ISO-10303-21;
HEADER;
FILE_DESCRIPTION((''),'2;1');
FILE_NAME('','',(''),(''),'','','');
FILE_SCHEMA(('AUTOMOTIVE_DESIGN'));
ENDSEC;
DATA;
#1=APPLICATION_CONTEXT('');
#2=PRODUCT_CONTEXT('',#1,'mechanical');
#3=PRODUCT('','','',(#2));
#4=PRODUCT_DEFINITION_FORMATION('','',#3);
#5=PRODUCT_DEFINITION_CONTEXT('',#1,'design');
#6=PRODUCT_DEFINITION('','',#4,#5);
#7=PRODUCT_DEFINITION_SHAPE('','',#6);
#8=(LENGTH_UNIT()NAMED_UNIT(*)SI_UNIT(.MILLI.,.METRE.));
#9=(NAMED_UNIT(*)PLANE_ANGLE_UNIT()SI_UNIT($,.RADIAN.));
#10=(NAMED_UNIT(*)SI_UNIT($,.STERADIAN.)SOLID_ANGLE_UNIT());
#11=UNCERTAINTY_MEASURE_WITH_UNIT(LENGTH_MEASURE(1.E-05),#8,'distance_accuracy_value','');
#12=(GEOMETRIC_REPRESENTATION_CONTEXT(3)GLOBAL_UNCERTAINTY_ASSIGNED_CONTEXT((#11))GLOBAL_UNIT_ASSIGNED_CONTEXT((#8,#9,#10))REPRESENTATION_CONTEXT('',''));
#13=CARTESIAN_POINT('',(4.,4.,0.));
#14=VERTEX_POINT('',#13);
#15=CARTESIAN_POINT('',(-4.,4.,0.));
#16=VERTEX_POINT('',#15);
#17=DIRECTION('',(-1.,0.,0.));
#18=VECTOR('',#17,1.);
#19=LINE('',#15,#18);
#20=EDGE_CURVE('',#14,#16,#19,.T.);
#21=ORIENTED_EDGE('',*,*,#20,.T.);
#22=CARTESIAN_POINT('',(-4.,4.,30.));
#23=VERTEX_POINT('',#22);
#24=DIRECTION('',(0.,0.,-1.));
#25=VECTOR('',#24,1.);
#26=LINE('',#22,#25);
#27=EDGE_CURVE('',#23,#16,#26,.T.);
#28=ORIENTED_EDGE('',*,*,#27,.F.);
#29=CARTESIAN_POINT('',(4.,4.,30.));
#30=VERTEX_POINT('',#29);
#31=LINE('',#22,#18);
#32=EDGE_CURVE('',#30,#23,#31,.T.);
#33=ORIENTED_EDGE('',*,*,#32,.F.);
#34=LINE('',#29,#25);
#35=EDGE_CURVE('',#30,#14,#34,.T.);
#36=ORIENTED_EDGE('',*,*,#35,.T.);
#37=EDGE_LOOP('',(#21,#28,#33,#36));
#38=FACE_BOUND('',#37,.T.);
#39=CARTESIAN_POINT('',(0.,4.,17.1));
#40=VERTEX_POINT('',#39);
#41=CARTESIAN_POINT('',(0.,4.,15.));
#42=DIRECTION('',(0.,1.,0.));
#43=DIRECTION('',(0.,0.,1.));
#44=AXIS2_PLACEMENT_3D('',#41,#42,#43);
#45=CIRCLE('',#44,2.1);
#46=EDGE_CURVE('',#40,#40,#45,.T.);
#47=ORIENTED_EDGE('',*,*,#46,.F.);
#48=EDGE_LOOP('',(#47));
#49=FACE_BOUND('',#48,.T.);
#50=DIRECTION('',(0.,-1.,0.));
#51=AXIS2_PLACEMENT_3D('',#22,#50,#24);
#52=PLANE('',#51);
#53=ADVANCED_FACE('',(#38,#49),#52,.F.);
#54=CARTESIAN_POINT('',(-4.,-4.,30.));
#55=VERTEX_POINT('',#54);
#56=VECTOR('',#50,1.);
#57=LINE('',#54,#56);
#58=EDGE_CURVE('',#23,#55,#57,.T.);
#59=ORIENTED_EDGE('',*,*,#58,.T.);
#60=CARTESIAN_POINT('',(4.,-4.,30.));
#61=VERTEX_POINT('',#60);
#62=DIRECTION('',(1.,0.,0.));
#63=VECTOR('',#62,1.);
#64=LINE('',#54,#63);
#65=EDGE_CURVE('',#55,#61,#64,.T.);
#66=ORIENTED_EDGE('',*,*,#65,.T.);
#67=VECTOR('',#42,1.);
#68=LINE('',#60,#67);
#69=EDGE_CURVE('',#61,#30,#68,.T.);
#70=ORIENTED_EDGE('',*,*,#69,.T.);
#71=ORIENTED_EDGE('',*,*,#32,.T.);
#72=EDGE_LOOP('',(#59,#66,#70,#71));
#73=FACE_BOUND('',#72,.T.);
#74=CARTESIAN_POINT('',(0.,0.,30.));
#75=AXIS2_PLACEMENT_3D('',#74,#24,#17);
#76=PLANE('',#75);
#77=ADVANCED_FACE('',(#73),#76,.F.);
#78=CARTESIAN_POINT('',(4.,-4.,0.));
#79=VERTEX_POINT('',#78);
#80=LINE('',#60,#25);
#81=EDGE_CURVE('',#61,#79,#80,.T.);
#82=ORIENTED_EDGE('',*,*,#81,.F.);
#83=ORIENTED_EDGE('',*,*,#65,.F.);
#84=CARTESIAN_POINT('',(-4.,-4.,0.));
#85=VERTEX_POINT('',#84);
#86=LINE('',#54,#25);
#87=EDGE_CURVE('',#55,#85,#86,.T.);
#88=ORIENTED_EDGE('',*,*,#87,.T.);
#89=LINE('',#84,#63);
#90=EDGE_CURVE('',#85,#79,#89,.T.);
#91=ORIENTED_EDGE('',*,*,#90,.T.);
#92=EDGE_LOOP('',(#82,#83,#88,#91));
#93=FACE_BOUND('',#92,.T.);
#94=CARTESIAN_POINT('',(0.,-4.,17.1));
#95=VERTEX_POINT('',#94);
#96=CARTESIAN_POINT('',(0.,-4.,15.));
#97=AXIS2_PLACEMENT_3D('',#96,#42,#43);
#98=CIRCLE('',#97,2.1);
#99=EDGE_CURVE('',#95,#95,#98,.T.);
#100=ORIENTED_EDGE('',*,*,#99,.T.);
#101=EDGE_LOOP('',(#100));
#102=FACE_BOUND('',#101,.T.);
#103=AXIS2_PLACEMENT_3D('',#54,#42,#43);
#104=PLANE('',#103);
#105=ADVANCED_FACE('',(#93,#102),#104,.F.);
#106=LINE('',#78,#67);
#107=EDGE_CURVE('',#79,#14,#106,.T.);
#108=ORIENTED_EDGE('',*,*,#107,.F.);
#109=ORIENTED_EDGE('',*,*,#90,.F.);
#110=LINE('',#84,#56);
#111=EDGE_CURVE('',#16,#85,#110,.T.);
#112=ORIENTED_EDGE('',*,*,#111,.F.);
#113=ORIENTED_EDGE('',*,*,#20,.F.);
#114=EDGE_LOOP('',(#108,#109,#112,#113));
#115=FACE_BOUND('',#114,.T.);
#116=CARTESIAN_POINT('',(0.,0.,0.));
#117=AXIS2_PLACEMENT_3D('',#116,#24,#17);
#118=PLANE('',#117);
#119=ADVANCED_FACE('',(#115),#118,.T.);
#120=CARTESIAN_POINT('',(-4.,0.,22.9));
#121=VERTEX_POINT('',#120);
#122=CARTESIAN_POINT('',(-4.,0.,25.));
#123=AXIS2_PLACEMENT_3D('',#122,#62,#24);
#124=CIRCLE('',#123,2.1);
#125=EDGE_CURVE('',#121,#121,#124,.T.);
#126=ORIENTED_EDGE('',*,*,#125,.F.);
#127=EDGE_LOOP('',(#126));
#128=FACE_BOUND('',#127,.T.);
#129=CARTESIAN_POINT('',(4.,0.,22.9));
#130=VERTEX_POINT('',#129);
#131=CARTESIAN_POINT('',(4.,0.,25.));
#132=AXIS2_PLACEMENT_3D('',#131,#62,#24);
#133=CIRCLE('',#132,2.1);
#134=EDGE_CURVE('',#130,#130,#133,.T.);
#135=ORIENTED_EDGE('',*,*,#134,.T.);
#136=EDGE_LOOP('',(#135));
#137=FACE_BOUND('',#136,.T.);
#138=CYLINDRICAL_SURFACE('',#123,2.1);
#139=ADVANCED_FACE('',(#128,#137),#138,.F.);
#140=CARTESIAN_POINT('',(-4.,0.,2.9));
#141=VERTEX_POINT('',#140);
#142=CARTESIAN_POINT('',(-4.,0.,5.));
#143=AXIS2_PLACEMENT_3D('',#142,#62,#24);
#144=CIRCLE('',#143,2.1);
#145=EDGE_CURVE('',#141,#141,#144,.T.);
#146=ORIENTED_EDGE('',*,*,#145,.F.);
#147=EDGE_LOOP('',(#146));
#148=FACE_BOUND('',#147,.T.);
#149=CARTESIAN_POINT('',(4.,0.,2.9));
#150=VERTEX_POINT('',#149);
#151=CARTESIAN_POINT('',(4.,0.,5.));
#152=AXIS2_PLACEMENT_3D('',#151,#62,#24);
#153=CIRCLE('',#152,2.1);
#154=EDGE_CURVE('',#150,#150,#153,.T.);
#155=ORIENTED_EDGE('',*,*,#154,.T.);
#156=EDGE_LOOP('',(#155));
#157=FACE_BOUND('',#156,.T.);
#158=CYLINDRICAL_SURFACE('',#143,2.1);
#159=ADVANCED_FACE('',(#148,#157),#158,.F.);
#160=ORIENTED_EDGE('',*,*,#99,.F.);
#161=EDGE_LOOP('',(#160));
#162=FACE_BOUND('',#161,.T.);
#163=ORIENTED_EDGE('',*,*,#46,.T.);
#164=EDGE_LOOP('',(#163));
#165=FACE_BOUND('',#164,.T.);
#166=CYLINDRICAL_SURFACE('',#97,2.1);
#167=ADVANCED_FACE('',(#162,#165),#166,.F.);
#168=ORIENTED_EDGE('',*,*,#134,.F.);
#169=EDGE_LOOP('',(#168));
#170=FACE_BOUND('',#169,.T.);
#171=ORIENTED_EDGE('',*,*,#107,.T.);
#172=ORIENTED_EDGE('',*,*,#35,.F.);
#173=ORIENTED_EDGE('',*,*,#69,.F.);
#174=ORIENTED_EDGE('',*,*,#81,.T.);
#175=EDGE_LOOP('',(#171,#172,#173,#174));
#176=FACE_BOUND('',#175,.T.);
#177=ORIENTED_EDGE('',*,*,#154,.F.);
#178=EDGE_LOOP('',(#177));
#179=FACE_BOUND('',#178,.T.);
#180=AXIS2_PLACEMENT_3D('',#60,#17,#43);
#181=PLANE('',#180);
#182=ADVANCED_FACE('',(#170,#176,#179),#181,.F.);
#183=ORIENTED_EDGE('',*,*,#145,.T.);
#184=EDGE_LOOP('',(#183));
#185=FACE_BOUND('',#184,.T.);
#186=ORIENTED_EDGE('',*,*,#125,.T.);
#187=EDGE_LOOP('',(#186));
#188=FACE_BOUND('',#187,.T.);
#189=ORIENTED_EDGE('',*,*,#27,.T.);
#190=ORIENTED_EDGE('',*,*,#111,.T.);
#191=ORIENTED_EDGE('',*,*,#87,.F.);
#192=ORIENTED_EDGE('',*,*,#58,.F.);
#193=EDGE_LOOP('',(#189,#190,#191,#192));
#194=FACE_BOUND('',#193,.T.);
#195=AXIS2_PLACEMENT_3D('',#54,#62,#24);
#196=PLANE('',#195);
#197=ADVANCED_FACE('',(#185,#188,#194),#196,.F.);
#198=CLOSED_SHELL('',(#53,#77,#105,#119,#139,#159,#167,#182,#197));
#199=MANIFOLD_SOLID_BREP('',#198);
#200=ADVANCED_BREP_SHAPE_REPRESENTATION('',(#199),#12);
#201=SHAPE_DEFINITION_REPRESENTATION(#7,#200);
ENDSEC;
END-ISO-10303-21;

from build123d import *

# Parameters (mm, degrees)
SKETCH_2_W          = 8
SKETCH_2_H          = 8
EXTRUDE_1_DEPTH     = 30
SKETCH_3_R          = 2.1
CUT_EXTRUDE_1_DEPTH = 32.304951685
SKETCH_4_R          = 2.1
CUT_EXTRUDE_2_DEPTH = 32.304951685


with BuildPart() as part:
    # 草图2 → 凸台-拉伸1 (new body)
    with BuildSketch(Plane.XY):
        Rectangle(SKETCH_2_W, SKETCH_2_H)
    extrude(amount=EXTRUDE_1_DEPTH)

    # 草图3 → 切除-拉伸1 (cut, through all)
    with BuildSketch(Plane(origin=(0, 4, 0), x_dir=(1, 0, 0), z_dir=(0, 1, 0))):
        with Locations(Location((0, -15, 0), (0, 0, 270))):
            Circle(SKETCH_3_R)
    extrude(amount=-CUT_EXTRUDE_1_DEPTH, mode=Mode.SUBTRACT)

    # 草图4 → 切除-拉伸2 (cut, through all)
    with BuildSketch(Plane(origin=(4, 0, 0), x_dir=(0, 0, -1), z_dir=(1, 0, 0))):
        with Locations((-25, 0)):
            Circle(SKETCH_4_R)
        with Locations((-5, 0)):
            Circle(SKETCH_4_R)
    extrude(amount=-CUT_EXTRUDE_2_DEPTH, mode=Mode.SUBTRACT)


solid = part.part
